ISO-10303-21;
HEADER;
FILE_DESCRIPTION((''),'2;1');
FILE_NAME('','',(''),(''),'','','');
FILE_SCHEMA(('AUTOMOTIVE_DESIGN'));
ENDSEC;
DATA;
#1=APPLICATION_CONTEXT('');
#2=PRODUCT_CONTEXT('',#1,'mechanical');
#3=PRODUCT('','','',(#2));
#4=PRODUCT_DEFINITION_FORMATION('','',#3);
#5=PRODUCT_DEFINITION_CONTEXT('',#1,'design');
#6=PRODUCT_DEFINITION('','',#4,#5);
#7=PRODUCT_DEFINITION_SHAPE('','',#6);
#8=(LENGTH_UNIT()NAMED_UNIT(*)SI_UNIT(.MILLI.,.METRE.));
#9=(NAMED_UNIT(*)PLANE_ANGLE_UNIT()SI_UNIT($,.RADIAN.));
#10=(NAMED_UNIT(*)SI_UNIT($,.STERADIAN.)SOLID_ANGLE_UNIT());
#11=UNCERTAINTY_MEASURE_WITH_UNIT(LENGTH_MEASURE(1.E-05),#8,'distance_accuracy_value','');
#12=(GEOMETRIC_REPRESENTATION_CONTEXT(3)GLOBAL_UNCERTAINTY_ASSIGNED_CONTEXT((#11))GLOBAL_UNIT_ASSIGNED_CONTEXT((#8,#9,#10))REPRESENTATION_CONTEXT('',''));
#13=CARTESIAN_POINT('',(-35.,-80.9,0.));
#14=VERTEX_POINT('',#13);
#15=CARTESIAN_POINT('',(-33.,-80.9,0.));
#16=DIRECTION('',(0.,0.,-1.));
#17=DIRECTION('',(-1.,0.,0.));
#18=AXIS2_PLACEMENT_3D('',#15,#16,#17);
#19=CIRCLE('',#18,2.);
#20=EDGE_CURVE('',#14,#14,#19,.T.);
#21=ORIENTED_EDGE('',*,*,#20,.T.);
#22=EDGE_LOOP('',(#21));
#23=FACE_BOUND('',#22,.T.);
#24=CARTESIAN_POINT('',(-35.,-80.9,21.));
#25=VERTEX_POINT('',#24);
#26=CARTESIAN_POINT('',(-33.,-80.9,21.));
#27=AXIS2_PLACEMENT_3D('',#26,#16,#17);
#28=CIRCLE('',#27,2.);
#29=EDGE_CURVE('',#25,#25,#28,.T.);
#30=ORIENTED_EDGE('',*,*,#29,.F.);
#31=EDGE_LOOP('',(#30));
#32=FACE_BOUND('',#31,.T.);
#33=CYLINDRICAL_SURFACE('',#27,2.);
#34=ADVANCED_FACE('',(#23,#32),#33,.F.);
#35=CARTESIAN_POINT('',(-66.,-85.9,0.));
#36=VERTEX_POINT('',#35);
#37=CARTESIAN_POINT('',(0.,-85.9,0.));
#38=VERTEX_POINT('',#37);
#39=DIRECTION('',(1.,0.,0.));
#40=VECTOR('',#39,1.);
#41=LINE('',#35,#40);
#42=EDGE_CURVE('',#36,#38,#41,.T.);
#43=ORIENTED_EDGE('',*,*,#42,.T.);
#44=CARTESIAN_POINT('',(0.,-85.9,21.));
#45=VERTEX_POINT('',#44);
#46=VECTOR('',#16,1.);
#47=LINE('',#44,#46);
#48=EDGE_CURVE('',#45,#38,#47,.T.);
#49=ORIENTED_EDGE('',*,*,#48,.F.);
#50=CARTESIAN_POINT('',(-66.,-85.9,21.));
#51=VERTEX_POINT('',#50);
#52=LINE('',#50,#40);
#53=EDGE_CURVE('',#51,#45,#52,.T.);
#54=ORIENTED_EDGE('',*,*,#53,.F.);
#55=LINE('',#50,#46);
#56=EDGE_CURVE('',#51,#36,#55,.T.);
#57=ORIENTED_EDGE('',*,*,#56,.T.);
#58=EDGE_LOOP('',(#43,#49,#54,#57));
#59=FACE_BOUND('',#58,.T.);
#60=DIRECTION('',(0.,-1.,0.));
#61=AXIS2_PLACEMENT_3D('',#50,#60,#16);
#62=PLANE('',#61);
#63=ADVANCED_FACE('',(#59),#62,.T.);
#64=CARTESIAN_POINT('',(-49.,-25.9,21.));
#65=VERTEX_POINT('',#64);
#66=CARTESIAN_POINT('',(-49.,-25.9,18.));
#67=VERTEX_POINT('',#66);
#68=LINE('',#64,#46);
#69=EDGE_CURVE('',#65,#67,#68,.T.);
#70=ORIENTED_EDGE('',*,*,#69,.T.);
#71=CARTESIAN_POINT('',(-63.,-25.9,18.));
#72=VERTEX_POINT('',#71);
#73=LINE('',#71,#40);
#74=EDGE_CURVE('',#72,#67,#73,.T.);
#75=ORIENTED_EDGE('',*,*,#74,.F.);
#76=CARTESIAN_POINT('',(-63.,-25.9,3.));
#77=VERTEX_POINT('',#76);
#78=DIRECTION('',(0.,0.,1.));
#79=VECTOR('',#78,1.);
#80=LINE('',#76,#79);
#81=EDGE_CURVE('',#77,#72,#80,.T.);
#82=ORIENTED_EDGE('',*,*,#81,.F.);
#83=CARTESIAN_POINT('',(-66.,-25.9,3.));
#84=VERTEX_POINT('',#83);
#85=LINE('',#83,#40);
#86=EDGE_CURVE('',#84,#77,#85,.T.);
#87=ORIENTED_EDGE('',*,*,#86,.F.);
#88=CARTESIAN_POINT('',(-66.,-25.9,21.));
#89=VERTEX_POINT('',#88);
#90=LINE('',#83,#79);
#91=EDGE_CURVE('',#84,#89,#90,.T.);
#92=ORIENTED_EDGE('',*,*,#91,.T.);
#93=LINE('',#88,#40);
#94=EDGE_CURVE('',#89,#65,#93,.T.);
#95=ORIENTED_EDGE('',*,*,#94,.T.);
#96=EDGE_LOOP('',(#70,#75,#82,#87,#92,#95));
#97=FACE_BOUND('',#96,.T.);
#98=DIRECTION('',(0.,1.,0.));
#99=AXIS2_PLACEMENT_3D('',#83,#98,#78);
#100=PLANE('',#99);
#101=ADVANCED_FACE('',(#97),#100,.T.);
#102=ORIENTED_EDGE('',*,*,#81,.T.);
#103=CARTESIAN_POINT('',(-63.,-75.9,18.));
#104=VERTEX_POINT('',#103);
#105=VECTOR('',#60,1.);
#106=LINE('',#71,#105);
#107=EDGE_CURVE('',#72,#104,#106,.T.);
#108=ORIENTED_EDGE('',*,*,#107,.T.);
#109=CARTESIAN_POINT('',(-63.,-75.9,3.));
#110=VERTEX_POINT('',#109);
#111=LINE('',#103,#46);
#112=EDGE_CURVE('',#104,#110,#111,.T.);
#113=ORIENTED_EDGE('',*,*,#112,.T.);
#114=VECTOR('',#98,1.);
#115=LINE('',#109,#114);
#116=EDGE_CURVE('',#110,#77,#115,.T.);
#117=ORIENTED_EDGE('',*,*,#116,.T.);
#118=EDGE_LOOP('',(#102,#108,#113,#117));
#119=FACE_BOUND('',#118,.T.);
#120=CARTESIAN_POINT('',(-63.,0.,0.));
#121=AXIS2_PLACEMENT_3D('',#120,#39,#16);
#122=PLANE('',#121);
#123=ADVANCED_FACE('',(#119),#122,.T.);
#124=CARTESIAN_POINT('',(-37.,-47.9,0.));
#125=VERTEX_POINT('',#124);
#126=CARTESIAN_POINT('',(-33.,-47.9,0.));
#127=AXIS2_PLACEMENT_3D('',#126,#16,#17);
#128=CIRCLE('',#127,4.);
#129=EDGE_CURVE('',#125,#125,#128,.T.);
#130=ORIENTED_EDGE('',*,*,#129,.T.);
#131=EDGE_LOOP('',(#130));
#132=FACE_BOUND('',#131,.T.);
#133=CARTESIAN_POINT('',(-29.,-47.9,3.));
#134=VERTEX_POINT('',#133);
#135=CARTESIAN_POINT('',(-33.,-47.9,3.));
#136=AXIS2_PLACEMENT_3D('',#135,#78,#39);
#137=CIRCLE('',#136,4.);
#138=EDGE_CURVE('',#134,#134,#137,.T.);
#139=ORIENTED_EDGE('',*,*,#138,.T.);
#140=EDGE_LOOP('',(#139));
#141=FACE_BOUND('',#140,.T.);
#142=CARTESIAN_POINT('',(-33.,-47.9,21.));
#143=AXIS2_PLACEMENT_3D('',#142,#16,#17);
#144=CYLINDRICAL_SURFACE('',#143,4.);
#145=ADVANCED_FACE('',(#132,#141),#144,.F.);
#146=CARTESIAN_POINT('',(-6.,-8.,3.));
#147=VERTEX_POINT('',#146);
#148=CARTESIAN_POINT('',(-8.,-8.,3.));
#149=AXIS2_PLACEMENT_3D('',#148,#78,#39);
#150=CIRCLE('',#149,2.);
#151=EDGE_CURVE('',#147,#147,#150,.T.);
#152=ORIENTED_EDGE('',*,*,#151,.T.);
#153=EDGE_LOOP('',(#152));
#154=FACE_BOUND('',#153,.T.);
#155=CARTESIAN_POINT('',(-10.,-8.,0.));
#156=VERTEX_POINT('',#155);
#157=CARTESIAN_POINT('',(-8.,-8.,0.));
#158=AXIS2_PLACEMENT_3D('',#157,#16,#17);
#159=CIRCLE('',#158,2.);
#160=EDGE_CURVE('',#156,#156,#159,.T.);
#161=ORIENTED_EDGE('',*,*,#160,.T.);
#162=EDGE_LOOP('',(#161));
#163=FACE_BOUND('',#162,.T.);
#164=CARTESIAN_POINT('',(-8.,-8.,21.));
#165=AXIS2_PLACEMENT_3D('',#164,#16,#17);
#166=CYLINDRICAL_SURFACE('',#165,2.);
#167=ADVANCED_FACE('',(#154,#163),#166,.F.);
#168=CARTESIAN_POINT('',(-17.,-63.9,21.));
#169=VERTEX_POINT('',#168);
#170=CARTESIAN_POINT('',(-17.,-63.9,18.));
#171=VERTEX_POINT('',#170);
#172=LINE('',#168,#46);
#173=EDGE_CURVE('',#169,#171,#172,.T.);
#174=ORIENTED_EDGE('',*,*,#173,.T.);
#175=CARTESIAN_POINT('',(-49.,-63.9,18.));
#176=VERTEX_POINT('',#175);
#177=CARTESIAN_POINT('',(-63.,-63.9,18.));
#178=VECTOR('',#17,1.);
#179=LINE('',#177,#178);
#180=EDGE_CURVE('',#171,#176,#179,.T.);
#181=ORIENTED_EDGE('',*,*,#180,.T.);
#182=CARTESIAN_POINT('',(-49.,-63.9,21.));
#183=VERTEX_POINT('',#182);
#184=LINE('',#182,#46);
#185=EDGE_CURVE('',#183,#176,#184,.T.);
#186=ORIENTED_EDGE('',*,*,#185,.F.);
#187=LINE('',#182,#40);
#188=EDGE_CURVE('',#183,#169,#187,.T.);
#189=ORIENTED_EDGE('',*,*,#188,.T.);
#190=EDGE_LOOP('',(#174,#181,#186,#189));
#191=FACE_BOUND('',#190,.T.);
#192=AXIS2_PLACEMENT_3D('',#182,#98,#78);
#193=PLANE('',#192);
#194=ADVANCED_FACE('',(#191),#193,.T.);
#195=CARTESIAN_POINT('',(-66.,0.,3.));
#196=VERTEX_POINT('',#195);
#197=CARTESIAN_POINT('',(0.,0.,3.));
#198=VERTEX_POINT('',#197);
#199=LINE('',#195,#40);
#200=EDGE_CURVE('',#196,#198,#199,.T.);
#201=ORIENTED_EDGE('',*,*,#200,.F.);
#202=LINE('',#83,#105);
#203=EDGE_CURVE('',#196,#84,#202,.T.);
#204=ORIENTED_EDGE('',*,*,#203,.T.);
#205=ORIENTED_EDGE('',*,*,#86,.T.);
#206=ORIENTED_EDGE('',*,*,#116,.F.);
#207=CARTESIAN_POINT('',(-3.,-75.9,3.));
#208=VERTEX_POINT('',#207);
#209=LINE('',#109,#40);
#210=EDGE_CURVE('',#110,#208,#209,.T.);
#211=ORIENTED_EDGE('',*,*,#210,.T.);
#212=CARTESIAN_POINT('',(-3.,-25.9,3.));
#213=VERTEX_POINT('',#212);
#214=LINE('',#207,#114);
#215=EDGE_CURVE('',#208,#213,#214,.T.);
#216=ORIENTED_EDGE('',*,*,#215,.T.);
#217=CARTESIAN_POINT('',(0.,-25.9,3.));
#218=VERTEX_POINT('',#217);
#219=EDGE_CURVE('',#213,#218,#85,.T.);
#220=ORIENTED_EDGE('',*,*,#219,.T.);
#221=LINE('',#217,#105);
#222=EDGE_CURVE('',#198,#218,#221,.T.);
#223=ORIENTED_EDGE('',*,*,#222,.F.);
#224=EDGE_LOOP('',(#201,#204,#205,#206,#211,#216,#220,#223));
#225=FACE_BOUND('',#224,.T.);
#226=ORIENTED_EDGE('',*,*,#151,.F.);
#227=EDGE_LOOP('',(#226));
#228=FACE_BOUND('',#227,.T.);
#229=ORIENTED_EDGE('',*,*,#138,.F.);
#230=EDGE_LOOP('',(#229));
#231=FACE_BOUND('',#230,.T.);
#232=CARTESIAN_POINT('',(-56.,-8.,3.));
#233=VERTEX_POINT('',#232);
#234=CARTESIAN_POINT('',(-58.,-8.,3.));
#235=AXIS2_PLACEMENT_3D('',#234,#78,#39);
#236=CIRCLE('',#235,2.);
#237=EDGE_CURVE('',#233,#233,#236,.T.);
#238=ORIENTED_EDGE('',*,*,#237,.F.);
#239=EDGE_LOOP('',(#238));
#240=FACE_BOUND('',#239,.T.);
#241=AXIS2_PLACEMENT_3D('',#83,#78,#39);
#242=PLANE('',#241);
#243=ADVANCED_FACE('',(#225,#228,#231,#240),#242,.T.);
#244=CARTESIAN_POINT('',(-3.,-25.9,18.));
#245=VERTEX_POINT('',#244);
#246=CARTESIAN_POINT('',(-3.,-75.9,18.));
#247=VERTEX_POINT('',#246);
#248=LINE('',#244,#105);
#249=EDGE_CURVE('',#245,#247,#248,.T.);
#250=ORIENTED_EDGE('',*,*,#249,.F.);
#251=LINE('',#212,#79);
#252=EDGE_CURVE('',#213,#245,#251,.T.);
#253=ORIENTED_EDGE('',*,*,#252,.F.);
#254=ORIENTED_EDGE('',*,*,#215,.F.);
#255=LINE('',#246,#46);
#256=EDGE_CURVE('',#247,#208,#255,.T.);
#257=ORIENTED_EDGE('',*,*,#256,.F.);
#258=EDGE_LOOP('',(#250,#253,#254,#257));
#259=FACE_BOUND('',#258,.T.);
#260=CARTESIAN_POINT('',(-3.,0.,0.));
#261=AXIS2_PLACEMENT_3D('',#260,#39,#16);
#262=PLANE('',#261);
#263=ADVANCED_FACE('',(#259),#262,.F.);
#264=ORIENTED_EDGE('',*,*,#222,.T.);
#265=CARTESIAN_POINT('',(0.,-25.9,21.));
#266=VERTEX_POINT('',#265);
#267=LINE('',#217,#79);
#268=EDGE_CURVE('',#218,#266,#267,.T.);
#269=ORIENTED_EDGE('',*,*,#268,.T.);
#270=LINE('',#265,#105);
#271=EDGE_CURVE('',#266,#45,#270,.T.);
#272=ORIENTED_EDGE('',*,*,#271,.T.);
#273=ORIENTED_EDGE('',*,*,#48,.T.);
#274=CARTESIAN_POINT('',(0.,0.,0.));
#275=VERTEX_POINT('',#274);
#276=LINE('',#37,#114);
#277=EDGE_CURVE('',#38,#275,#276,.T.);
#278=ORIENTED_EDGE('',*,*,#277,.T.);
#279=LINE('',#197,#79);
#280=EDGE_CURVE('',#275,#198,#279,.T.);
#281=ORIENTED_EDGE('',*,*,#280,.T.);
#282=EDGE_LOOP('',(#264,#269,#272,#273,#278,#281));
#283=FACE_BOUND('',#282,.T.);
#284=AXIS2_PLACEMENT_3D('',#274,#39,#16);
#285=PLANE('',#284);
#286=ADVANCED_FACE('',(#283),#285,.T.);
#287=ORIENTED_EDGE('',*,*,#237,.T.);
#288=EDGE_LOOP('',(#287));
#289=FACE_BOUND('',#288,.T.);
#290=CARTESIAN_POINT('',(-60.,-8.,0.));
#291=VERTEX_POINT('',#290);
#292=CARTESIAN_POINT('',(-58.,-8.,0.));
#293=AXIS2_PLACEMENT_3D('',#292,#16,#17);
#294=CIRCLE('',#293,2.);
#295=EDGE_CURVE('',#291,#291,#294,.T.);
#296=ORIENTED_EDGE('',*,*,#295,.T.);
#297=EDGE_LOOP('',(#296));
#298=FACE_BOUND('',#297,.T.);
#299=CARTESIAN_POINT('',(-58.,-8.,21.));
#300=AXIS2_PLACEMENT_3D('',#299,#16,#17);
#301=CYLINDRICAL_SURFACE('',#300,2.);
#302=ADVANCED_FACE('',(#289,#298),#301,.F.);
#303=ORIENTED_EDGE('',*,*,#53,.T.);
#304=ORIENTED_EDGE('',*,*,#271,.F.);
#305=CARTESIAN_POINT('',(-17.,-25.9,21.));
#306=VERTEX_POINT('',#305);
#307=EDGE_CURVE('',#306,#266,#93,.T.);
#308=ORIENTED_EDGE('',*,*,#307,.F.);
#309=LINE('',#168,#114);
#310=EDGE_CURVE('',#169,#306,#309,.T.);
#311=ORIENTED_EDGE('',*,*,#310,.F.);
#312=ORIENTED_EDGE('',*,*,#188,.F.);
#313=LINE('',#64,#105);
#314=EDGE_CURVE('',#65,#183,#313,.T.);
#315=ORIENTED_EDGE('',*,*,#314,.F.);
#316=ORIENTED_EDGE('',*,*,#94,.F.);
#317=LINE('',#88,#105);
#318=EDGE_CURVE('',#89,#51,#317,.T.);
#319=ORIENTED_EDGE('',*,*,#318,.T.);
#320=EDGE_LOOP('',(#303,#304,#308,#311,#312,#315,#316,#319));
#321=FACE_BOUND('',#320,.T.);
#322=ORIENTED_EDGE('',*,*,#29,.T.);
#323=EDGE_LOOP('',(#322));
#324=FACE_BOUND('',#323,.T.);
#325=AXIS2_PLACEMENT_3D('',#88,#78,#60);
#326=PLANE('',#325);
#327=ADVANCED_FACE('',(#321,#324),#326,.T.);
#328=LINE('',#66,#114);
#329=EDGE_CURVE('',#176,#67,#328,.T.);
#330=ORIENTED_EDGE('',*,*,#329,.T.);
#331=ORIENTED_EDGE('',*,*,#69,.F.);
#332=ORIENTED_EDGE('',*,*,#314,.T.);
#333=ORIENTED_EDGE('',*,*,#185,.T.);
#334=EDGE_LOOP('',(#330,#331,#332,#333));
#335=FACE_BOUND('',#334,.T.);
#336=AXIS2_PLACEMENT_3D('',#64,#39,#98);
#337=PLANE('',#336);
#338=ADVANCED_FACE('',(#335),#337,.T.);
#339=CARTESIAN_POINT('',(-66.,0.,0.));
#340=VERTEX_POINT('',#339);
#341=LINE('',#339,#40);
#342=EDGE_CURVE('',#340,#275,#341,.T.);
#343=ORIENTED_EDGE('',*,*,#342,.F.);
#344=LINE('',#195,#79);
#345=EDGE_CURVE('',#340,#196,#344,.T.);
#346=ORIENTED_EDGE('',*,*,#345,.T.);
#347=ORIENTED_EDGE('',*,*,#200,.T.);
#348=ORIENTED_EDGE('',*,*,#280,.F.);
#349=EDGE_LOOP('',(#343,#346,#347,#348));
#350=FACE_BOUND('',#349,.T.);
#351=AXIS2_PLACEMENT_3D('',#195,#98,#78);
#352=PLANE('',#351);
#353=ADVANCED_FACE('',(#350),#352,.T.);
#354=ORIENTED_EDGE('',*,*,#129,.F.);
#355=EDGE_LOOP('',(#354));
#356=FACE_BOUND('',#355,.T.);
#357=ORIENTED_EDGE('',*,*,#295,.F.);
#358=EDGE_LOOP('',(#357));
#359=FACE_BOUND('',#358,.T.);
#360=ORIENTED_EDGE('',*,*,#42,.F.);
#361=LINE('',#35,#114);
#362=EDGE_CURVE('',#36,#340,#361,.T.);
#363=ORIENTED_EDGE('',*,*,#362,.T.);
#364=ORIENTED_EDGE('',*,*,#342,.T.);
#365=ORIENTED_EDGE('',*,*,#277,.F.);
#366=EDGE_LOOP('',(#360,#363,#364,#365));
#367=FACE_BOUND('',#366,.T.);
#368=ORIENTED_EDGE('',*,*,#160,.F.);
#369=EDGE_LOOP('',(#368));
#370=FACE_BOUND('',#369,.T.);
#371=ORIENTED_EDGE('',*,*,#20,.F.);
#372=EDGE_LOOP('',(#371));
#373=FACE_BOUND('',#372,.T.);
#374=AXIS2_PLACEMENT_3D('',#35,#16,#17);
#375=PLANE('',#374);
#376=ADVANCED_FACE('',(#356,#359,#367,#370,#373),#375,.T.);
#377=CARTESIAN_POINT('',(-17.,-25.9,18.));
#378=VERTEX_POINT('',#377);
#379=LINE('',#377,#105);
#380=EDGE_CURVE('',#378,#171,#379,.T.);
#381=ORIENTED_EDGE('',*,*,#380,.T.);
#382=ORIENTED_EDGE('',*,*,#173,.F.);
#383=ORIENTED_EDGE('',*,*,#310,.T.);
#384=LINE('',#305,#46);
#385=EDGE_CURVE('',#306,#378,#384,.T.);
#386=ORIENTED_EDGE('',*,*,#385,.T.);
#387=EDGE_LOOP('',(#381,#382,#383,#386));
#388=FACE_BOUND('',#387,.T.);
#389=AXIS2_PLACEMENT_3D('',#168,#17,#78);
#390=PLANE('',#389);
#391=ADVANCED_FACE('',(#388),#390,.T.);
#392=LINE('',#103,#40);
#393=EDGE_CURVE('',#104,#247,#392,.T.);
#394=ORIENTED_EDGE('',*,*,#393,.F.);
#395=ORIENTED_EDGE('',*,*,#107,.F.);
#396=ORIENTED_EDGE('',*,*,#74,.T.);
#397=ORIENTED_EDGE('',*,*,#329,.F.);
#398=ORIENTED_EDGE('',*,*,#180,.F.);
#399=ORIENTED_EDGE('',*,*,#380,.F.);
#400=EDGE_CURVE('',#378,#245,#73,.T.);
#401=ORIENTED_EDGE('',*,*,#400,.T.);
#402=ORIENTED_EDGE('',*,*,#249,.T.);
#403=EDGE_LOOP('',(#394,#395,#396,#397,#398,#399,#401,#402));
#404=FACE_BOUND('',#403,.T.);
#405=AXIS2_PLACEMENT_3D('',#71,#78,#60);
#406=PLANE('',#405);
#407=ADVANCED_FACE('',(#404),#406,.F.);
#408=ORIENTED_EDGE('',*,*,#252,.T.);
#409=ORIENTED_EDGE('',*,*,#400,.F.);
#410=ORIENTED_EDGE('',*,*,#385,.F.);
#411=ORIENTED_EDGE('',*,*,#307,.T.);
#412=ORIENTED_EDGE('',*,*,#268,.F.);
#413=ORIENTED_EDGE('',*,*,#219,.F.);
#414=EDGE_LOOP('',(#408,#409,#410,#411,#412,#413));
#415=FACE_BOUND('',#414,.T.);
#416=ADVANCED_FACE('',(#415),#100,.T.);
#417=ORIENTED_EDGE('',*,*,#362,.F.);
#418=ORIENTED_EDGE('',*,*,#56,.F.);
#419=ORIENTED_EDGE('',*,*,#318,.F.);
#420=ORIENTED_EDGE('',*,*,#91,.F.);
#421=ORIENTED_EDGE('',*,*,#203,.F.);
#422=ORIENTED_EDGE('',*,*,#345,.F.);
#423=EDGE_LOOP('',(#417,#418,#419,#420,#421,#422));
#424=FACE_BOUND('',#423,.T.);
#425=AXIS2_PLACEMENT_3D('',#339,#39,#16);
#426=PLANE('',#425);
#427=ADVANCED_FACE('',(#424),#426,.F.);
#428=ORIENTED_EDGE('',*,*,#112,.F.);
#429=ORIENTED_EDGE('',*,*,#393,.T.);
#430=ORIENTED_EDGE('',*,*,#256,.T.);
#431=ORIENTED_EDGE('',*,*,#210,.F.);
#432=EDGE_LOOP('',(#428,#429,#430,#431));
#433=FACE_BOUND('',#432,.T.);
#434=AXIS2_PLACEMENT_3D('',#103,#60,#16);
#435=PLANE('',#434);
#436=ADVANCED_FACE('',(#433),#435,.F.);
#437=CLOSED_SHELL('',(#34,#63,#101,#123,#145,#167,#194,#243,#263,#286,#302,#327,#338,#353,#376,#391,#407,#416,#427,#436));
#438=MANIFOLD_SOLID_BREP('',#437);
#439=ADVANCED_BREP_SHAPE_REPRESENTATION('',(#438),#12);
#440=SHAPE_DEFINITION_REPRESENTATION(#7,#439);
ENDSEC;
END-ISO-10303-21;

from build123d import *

# Parameters (mm, degrees)
BOSS_EXTRUDE1_DEPTH = 66
CUT_EXTRUDE1_START  = -3
SKETCH2_W           = 15
SKETCH2_H           = 50
CUT_EXTRUDE1_DEPTH  = 60
SKETCH3_W           = 32
SKETCH3_H           = 38
CUT_EXTRUDE2_DEPTH  = 19
SKETCH4_R           = 4
SKETCH4_R_2         = 2
CUT_EXTRUDE3_DEPTH  = 22


with BuildPart() as part:
    # Sketch1 → Boss-Extrude1 (new body)
    with BuildSketch(Plane(origin=(0, 0, 0), x_dir=(0, 0, -1), z_dir=(1, 0, 0))):
        Polygon((-3, -25.9), (-21, -25.9), (-21, -85.9), (0, -85.9), (0, 0), (-3, 0), align=None)
    extrude(amount=-BOSS_EXTRUDE1_DEPTH)

    # Sketch2 → Cut-Extrude1 (cut)
    with BuildSketch(Plane(origin=(0, 0, 0), x_dir=(0, 0, -1), z_dir=(1, 0, 0)).offset(CUT_EXTRUDE1_START)):
        with Locations((-10.5, -50.9)):
            Rectangle(SKETCH2_W, SKETCH2_H)
    extrude(amount=-CUT_EXTRUDE1_DEPTH, mode=Mode.SUBTRACT)

    # Sketch3 → Cut-Extrude2 (cut, through all)
    with BuildSketch(Plane.XY.offset(3)):
        with Locations((-33, -44.9)):
            Rectangle(SKETCH3_W, SKETCH3_H)
    extrude(amount=CUT_EXTRUDE2_DEPTH, mode=Mode.SUBTRACT)

    # Sketch4 → Cut-Extrude3 (cut, through all)
    with BuildSketch(Plane(origin=(0, 0, 0), x_dir=(-1, 0, 0), z_dir=(0, 0, -1))):
        with Locations((33, -47.9)):
            Circle(SKETCH4_R)
        with Locations((33, -80.9)):
            Circle(SKETCH4_R_2)
        with Locations((58, -8)):
            Circle(SKETCH4_R_2)
        with Locations((8, -8)):
            Circle(SKETCH4_R_2)
    extrude(amount=-CUT_EXTRUDE3_DEPTH, mode=Mode.SUBTRACT)


solid = part.part
